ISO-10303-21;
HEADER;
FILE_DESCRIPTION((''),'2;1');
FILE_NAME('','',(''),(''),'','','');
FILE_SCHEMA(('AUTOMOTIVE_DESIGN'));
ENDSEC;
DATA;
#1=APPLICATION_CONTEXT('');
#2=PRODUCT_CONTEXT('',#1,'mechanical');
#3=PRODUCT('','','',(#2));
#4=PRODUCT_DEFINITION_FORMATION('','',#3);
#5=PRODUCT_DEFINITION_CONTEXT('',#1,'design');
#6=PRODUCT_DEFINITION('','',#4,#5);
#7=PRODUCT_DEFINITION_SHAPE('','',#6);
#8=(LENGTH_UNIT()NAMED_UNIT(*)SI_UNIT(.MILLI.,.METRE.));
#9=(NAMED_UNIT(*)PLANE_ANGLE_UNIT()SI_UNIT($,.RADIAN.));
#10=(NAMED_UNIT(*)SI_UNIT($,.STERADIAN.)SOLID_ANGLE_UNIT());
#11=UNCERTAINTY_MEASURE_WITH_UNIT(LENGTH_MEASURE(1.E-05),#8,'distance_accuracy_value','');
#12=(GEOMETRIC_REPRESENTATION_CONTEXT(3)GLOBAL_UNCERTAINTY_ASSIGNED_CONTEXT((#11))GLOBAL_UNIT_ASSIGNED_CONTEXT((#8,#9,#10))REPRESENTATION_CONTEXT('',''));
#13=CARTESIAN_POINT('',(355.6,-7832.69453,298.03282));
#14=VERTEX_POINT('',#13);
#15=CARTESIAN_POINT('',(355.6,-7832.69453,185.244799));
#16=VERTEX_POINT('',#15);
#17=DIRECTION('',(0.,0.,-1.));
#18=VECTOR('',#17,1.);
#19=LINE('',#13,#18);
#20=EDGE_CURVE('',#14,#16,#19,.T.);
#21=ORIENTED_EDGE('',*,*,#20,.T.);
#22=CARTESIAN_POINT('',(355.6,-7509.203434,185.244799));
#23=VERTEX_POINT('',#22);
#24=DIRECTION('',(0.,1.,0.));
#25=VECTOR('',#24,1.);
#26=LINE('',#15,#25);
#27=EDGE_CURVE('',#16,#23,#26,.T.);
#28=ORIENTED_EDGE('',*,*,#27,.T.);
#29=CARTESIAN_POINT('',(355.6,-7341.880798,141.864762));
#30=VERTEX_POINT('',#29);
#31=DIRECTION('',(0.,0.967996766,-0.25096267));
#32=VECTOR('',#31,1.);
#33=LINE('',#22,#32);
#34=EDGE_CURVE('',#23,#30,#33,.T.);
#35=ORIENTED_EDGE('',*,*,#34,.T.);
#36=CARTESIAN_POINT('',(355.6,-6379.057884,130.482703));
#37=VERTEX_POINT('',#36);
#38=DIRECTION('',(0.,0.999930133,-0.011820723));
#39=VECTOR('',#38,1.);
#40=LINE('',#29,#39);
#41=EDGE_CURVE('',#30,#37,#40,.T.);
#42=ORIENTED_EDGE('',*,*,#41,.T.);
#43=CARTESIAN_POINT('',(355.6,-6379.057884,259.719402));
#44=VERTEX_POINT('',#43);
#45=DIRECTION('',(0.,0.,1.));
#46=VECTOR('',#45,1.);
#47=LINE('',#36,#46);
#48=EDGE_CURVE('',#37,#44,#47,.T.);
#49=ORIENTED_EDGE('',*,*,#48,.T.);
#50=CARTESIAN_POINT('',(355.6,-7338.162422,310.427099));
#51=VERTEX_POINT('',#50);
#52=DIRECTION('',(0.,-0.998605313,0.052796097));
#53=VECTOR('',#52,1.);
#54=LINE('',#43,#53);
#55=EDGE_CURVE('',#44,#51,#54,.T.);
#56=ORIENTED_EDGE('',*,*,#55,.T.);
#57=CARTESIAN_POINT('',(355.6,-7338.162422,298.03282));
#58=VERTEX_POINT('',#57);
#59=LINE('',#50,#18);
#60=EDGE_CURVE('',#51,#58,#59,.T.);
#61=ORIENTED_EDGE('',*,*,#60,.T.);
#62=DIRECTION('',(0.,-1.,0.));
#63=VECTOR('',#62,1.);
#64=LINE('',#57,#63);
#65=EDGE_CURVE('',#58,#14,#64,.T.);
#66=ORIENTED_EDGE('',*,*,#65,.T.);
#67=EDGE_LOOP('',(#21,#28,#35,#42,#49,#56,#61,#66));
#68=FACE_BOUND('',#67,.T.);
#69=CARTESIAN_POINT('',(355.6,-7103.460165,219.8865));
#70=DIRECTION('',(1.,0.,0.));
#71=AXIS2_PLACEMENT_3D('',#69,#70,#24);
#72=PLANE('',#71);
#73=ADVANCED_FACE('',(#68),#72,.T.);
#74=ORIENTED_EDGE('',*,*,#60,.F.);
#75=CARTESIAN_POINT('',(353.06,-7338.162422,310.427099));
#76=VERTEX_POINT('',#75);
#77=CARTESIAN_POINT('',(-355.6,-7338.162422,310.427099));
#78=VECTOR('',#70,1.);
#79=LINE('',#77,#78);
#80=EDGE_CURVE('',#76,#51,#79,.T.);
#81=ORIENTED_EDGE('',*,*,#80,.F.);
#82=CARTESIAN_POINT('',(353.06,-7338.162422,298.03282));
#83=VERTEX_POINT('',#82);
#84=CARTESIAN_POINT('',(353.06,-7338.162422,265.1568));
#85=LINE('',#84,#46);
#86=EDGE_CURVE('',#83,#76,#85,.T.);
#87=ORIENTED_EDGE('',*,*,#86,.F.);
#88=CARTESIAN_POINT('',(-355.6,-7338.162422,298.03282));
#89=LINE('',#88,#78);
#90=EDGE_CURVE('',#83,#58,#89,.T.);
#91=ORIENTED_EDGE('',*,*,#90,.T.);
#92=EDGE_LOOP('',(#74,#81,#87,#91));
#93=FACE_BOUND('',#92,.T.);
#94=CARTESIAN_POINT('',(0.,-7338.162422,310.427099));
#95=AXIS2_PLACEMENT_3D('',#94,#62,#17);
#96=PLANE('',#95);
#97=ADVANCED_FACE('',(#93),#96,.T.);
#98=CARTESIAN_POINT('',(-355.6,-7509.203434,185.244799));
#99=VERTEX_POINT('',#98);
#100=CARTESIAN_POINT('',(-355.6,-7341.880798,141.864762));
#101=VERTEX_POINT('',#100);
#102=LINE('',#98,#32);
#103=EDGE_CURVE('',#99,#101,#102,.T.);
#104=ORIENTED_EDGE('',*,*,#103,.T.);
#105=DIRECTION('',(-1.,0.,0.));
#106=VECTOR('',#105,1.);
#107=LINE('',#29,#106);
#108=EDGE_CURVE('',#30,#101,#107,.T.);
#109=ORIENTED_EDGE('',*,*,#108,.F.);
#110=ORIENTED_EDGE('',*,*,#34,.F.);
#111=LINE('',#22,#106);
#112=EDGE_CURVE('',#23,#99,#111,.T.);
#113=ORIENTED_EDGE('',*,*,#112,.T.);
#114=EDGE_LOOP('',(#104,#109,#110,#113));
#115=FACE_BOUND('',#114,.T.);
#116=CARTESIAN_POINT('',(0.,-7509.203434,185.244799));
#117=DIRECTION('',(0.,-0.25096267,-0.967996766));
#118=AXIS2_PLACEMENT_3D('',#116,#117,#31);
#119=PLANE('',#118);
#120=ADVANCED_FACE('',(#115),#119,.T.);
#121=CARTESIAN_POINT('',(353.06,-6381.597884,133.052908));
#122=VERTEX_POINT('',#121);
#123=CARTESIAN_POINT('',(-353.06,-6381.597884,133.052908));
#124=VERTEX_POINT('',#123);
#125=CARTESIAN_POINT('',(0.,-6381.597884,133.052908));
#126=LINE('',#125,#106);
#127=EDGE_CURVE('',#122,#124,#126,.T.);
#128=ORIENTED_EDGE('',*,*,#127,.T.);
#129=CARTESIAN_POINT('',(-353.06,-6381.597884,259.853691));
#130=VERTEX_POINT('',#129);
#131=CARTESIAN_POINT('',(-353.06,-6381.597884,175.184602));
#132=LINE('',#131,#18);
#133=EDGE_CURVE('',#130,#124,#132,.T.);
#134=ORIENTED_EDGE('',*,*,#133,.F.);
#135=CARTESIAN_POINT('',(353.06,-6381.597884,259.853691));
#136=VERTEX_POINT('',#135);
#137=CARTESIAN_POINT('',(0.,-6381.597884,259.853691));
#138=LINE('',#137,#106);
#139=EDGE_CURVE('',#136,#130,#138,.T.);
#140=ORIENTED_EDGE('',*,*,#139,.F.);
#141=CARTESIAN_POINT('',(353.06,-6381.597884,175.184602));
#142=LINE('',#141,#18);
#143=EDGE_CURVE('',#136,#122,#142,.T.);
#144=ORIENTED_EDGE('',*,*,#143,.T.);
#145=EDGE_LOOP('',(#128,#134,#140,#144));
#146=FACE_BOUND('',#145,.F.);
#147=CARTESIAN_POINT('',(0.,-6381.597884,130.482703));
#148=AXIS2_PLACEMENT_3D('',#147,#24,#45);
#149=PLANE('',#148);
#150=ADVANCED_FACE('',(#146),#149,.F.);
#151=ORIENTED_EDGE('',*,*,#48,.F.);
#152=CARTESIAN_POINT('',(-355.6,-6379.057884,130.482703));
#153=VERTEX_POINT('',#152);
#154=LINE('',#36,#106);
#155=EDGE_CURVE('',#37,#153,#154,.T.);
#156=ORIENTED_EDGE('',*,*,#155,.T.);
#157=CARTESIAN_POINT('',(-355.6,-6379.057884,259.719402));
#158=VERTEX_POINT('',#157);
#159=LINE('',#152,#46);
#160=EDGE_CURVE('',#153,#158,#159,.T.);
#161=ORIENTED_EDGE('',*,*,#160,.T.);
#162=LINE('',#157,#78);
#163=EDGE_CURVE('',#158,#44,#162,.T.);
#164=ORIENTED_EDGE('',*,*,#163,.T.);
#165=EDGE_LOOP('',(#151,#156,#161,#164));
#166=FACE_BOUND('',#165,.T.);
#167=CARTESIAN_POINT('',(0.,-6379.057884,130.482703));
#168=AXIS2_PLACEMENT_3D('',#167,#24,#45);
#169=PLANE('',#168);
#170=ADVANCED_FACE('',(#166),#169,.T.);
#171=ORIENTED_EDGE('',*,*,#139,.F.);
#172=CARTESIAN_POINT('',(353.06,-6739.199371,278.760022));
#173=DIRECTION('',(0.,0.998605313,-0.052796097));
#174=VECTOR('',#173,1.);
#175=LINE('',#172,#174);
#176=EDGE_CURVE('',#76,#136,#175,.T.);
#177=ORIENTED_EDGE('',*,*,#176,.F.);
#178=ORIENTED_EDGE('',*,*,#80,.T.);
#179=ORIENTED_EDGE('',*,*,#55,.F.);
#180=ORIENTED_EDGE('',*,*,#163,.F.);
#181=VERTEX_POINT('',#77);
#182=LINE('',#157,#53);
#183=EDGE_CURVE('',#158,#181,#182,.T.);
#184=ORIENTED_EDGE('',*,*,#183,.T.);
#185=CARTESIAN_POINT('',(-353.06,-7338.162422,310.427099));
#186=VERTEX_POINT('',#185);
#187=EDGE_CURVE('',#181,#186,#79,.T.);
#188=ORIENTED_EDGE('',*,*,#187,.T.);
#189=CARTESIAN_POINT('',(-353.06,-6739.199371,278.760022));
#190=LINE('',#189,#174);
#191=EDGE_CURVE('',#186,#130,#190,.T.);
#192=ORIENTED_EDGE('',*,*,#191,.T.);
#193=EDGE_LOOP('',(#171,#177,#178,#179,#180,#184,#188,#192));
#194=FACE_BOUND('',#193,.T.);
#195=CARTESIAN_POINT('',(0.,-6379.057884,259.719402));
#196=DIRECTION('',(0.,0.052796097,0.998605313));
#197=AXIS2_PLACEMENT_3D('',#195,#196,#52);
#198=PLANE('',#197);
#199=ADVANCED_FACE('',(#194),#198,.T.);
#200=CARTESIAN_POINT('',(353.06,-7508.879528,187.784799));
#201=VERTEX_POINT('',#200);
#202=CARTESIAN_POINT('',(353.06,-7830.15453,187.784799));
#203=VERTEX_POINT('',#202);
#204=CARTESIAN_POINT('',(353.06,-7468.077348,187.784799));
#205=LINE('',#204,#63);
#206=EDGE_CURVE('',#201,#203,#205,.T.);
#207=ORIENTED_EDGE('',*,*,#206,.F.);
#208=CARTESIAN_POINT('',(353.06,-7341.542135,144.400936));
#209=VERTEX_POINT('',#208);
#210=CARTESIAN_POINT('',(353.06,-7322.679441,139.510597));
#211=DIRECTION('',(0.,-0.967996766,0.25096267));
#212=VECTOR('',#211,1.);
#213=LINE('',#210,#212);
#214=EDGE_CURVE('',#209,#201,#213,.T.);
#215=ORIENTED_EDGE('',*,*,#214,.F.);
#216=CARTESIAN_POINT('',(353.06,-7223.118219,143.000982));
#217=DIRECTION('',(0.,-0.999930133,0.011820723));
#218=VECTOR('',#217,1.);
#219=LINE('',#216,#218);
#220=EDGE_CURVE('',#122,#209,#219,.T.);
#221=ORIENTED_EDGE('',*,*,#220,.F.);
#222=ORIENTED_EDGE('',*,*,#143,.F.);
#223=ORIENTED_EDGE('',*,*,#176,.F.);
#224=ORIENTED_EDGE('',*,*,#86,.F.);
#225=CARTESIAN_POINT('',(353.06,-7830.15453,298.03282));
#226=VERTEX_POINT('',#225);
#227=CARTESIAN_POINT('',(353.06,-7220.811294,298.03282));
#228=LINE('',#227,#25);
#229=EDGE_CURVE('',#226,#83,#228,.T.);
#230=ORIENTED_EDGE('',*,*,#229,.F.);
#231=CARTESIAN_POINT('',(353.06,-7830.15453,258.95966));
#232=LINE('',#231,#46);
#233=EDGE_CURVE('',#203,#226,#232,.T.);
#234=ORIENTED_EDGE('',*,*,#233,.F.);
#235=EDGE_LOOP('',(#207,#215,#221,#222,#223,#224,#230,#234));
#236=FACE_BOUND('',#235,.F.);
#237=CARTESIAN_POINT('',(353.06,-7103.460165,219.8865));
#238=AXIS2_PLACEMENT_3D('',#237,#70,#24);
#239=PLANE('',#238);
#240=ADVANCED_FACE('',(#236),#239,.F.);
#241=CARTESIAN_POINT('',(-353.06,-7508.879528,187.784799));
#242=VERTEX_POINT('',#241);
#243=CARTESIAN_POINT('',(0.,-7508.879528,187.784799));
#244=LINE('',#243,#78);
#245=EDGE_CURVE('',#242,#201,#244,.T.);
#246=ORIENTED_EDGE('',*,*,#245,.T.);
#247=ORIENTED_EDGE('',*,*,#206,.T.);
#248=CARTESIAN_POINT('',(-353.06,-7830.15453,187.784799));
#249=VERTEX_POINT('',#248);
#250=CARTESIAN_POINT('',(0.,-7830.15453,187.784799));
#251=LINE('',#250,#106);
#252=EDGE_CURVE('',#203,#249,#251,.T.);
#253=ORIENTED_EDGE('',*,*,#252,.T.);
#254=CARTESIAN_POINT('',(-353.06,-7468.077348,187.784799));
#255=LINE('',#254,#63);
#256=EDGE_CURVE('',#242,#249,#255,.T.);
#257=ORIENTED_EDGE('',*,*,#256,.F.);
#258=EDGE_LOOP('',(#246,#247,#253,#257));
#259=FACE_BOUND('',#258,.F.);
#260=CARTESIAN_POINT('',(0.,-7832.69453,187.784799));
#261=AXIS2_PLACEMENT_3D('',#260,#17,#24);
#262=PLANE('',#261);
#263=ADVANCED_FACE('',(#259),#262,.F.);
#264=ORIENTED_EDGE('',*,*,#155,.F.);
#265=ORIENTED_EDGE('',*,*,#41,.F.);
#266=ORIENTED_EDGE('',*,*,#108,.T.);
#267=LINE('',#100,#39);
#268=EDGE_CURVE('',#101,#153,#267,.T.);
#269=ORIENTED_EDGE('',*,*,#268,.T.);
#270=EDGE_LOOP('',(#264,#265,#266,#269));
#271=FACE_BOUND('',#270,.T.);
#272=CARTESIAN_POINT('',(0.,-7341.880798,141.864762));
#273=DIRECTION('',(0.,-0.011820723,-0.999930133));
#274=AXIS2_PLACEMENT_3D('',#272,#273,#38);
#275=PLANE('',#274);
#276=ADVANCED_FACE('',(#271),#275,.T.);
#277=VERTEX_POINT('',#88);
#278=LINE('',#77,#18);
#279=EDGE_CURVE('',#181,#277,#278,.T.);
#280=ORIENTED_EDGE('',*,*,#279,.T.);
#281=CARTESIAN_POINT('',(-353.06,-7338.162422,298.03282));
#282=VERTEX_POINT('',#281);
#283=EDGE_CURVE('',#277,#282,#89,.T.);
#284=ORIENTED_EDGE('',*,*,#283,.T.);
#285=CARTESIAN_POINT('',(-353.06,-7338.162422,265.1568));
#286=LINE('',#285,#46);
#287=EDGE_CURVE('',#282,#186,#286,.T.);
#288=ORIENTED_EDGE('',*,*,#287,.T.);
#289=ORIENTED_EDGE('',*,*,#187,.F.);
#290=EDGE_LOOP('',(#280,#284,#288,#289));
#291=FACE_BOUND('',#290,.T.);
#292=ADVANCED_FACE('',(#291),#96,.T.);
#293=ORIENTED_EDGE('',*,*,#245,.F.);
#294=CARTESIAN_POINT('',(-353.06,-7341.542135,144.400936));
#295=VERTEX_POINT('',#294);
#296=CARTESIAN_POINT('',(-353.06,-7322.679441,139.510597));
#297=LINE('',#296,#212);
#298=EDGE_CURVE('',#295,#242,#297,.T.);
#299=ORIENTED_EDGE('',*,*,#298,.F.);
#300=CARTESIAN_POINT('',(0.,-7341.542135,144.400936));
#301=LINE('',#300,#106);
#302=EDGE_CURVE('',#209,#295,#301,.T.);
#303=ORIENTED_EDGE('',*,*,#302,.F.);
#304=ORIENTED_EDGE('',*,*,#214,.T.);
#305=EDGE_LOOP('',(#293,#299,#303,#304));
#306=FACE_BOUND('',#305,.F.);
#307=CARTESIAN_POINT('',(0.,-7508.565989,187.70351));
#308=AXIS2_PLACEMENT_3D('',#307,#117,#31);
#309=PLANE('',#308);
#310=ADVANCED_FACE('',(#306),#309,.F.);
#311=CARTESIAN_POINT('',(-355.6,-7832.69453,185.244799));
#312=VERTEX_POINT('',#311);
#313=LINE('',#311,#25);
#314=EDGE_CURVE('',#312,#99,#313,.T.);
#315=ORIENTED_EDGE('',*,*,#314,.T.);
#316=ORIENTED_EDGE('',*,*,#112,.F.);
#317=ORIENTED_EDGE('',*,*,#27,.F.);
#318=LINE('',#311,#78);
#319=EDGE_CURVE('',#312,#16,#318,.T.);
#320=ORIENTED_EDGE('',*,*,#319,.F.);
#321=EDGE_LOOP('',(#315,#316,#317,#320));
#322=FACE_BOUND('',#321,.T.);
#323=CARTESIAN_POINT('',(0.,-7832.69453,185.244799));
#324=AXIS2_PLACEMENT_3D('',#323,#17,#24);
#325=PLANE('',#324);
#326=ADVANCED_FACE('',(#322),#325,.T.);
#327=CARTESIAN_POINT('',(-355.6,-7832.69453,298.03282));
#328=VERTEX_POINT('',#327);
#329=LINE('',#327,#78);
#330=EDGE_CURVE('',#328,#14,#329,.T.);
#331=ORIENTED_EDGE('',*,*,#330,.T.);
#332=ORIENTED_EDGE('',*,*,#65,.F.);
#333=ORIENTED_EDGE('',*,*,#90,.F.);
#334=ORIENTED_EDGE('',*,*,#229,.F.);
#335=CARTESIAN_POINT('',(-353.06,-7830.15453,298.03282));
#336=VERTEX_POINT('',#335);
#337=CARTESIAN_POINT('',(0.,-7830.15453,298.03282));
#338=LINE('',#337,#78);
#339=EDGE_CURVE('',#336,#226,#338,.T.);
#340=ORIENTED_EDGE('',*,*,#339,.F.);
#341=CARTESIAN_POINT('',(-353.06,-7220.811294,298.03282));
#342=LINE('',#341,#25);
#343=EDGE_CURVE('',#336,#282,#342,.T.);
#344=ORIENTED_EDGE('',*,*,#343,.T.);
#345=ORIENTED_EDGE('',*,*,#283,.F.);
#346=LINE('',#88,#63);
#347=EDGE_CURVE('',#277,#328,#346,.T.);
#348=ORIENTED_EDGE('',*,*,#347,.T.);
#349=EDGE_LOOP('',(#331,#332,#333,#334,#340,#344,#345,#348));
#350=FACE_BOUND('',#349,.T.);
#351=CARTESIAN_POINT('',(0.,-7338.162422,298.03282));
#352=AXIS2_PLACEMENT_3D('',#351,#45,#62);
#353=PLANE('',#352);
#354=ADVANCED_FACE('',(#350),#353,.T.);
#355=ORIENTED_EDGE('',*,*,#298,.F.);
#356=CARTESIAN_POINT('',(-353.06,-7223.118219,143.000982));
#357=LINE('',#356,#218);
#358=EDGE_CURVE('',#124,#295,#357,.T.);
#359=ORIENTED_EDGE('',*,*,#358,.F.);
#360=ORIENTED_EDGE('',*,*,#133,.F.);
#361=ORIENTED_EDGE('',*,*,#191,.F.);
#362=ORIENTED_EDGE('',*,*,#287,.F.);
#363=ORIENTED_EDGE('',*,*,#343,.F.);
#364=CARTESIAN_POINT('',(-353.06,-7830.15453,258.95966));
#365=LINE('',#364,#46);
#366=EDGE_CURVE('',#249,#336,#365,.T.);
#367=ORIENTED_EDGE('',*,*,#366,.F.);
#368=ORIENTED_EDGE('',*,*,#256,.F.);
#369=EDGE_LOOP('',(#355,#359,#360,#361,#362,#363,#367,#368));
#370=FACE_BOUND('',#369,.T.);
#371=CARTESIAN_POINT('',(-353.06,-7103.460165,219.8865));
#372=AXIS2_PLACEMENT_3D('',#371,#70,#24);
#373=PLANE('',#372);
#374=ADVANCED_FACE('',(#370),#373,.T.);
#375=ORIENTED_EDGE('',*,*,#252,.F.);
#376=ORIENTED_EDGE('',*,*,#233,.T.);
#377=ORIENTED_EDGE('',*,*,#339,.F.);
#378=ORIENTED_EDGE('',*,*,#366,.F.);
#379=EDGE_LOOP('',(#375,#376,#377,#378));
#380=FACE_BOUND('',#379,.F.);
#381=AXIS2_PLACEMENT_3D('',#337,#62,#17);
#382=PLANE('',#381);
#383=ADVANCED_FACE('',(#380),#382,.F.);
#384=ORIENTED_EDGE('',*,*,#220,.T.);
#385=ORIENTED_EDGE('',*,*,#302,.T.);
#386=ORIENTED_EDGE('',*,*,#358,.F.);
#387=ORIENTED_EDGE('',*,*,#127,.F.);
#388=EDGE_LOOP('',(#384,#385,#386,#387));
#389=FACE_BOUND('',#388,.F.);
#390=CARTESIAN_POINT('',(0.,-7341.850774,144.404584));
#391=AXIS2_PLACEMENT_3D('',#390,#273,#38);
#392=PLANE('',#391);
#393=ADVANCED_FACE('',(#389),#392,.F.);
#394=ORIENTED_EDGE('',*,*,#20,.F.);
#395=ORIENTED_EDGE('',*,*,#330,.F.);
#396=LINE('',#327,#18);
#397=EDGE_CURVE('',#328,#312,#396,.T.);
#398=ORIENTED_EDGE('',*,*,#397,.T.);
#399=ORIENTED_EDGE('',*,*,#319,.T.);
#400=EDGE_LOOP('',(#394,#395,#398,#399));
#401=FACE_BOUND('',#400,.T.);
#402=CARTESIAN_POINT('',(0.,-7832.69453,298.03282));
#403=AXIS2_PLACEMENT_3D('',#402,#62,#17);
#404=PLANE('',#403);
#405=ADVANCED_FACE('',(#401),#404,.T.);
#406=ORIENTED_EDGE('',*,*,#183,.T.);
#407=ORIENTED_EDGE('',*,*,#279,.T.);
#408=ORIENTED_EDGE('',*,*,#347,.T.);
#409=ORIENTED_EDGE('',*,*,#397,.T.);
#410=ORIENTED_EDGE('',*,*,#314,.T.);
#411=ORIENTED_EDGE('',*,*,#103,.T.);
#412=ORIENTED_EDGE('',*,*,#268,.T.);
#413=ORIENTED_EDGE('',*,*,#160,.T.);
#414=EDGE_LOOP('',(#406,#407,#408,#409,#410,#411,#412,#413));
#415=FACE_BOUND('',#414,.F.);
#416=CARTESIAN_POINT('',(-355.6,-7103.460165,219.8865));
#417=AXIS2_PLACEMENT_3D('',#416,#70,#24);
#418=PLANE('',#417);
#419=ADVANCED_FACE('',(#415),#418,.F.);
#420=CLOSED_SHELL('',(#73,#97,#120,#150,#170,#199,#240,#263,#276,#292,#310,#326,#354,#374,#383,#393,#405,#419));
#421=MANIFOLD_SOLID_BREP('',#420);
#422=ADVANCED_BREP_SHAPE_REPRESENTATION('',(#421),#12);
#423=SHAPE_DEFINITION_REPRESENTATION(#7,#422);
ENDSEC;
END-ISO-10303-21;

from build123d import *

# Parameters (mm, degrees)
F1_DEPTH = 355.6
F2_T     = -2.54


with BuildPart() as f1:
    # F0 (on Right) → F1 (new body, symmetric)
    with BuildSketch(Plane.YZ):
        Polygon((-6379.0578842163, 130.4827034473), (-6379.0578842163, 259.719401598), (-7338.1624221802, 310.4270994663), (-7338.1624221802, 298.0328202248), (-7832.6945304871, 298.0328202248), (-7832.6945304871, 185.2447986603), (-7509.2034339905, 185.2447986603), (-7341.8807983398, 141.8647617102), align=None)
    extrude(amount=F1_DEPTH, both=True)

    # F2
    f2_openings = [f1.faces().sort_by_distance(p)[0] for p in [
        (0, -6858.610153, 285.073251),
        (0, -7338.162422, 304.22996),
        (0, -7585.428476, 298.03282),
    ]]
    offset(amount=F2_T, openings=f2_openings, kind=Kind.INTERSECTION)


solid = f1.part
